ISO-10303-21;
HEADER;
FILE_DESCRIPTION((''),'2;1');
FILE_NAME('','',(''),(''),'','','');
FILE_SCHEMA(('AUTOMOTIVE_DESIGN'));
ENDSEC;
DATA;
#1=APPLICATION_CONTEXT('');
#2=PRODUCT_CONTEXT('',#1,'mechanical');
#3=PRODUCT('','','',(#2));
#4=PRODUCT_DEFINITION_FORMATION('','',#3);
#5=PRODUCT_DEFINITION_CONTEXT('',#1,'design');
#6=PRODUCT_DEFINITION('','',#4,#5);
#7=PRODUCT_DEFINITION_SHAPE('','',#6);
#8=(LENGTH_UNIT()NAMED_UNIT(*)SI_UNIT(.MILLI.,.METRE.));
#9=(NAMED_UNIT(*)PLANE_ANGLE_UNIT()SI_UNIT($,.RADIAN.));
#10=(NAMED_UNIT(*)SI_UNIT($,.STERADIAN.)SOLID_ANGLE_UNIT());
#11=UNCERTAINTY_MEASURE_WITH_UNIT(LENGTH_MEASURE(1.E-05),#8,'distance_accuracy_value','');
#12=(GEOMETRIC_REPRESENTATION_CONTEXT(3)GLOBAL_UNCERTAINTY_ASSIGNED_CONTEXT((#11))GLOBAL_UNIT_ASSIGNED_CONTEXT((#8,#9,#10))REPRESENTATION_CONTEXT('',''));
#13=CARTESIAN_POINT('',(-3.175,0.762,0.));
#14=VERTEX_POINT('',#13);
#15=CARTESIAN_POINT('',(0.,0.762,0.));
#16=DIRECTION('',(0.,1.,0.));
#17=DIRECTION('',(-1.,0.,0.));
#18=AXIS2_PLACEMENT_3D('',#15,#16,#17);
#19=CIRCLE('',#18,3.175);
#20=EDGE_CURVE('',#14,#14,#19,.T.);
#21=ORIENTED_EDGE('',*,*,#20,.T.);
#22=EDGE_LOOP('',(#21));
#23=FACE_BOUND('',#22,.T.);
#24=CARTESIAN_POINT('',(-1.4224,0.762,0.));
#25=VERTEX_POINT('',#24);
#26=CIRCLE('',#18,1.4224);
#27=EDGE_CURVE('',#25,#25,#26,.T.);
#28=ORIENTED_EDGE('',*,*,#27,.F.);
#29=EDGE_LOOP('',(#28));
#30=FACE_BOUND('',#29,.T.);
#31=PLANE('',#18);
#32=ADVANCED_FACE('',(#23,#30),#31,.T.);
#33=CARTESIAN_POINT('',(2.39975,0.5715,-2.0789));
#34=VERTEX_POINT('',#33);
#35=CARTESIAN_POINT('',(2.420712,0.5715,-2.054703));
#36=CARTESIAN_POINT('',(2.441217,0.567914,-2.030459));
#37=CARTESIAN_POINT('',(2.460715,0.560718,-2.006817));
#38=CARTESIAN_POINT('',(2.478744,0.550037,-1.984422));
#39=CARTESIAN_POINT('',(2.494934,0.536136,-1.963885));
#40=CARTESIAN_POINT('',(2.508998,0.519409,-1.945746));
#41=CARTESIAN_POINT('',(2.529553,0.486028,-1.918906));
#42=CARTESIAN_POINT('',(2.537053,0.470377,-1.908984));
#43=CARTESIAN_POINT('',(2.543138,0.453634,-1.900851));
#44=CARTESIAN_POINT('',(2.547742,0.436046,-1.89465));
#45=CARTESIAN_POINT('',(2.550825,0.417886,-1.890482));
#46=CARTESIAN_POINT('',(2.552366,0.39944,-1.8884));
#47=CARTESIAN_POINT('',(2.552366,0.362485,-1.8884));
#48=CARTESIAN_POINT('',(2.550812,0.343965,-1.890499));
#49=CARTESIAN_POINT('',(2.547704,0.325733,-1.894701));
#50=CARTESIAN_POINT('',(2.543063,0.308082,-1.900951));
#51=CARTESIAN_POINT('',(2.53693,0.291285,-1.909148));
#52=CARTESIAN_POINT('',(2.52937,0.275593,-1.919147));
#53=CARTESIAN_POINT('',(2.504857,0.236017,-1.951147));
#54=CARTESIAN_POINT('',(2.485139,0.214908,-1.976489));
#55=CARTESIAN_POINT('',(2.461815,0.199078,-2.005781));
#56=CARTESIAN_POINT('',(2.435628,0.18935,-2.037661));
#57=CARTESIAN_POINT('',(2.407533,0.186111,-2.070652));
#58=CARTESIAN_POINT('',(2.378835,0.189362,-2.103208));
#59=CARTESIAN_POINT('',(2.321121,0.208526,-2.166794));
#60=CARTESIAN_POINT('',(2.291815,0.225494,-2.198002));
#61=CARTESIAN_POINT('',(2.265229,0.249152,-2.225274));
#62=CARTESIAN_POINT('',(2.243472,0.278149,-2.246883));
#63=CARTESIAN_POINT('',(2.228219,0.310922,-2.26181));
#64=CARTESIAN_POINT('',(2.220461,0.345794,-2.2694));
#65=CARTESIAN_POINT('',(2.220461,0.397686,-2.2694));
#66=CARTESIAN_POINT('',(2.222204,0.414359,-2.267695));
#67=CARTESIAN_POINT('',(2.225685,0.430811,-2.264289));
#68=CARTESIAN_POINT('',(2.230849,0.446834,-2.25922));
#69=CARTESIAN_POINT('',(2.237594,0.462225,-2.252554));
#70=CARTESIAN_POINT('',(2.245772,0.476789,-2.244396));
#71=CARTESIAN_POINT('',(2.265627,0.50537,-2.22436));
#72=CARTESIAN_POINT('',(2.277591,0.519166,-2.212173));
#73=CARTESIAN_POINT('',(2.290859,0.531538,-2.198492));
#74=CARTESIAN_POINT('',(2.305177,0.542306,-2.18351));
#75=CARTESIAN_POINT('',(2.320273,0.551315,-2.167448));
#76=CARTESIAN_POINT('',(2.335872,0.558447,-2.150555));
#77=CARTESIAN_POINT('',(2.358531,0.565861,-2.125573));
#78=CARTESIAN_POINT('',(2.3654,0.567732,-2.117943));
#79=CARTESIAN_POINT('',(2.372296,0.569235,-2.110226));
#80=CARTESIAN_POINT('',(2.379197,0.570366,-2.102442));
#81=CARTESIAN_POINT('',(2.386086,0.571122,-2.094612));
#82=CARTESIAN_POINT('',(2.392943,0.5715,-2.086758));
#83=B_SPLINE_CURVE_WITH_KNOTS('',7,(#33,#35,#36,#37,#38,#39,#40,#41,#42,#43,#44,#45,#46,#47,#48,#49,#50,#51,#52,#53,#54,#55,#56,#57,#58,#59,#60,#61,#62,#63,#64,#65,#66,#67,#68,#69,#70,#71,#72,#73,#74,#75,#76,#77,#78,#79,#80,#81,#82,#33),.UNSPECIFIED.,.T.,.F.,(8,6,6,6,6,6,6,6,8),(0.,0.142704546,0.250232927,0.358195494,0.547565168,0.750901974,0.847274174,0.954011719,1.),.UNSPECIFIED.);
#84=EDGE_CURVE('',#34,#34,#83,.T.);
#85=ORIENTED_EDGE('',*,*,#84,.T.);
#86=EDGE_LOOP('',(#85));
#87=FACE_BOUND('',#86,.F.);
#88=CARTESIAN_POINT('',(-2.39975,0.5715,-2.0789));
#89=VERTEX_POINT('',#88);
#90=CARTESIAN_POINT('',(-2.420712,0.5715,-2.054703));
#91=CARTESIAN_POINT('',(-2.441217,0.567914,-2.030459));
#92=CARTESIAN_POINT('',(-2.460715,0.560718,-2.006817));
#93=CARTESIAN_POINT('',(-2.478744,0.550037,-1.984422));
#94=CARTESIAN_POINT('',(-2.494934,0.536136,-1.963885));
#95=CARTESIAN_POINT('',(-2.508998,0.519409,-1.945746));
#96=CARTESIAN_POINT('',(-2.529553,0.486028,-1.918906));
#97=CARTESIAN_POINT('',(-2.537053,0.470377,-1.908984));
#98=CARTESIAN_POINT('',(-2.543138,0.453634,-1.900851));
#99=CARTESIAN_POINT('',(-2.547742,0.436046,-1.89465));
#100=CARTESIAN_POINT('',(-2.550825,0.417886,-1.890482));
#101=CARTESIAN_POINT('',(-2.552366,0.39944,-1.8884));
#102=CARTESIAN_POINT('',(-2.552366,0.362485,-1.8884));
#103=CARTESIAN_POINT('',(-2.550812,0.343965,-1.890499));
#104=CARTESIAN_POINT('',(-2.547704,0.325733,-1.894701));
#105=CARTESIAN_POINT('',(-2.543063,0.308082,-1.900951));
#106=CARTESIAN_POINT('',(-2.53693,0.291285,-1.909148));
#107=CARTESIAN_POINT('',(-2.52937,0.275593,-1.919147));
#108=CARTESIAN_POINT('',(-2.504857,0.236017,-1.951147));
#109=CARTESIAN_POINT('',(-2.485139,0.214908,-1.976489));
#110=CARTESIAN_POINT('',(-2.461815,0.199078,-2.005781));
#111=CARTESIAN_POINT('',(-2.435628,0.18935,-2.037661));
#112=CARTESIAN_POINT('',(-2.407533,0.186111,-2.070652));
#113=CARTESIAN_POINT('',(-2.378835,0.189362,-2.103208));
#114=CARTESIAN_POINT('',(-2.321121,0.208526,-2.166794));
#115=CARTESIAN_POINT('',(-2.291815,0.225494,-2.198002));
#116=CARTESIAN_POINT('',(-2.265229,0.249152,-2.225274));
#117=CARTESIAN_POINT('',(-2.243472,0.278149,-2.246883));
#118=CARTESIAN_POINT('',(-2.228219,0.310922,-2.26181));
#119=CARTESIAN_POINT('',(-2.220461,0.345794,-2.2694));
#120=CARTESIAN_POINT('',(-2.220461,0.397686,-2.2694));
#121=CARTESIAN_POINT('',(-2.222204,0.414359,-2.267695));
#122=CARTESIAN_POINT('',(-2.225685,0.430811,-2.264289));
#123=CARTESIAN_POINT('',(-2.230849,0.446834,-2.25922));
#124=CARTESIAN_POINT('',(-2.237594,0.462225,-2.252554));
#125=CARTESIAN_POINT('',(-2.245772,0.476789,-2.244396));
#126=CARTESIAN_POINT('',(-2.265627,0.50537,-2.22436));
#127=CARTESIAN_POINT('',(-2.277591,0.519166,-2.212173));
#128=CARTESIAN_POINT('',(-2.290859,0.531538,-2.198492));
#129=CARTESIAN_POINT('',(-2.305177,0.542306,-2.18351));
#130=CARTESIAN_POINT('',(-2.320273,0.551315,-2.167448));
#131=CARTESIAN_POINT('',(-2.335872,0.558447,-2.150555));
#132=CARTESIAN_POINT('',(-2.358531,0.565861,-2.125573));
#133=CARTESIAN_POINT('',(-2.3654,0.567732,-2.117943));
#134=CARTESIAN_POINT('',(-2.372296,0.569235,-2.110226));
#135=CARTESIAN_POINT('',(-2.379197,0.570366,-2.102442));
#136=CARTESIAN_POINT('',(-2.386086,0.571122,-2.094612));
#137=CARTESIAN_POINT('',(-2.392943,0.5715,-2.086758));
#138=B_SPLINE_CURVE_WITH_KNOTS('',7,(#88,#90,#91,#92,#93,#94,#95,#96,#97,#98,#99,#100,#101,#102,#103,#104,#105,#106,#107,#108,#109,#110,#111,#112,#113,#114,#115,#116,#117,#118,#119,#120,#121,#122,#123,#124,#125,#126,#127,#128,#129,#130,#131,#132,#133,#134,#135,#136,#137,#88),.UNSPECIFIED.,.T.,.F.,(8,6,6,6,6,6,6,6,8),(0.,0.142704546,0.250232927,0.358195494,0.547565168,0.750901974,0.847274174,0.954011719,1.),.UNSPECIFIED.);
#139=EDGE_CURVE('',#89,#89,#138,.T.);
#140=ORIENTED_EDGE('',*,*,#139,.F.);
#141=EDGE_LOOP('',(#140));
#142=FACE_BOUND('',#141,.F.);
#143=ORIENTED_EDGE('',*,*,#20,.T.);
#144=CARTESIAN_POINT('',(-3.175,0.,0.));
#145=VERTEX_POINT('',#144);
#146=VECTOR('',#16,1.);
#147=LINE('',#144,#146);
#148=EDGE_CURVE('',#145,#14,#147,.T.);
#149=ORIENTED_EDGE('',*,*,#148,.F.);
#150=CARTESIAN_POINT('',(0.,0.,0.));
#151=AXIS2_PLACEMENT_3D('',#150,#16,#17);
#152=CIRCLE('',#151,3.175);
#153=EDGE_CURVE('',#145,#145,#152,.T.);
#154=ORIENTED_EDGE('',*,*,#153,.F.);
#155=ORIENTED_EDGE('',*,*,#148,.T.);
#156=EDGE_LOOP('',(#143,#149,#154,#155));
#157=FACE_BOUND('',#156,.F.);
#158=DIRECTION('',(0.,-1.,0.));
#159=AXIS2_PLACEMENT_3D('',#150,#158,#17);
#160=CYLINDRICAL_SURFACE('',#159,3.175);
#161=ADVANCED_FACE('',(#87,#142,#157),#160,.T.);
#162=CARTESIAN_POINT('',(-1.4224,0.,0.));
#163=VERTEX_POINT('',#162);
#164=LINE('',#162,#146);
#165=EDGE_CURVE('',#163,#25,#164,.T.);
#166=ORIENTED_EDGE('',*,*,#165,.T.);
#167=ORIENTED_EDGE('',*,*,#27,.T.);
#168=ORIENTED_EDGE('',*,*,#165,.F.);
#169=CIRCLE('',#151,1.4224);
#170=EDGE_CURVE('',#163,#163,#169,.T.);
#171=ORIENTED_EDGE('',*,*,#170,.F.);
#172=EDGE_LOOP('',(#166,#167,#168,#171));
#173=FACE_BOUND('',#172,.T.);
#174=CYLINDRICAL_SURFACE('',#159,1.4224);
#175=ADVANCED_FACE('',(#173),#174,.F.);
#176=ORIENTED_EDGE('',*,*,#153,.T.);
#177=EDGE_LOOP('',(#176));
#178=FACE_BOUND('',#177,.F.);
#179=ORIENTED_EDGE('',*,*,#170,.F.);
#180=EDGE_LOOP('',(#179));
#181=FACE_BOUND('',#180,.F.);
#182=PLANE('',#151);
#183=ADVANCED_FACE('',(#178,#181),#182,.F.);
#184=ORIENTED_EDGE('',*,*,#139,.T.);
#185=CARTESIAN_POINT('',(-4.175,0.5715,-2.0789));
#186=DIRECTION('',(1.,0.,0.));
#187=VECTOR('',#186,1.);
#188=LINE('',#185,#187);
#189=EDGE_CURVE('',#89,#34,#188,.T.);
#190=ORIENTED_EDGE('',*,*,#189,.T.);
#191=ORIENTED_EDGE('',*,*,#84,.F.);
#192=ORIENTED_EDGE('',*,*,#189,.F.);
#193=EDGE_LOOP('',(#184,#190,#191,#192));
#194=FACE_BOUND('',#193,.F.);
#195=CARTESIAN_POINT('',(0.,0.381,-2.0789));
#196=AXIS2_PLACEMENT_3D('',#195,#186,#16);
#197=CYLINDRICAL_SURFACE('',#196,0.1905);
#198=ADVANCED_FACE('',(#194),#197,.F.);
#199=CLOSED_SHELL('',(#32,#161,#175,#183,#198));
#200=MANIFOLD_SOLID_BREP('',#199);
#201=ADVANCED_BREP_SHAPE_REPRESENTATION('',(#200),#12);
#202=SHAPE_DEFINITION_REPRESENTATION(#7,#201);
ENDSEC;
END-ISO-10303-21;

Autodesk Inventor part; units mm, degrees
ref_plane "YZ Plane" through (0, 0, 0) normal (1, 0, 0) x (0, 1, 0)
ref_plane "XZ Plane" through (0, 0, 0) normal (0, 1, 0) x (-1, 0, 0)
ref_plane "XY Plane" through (0, 0, 0) normal (0, 0, 1) x (1, 0, 0)
sketch "Sketch1" plane through (0, 0, 0) normal (0, 1, 0) x (-1, 0, 0)
  circle A0 centre (0, 0) radius 1.4224
  circle A1 centre (0, 0) radius 3.175
  dimension "d0" = 2.8448
  dimension "d1" = 6.35
extrude "Extrusion1" add sketch "Sketch1" along normal blind 0.762
sketch "Sketch2" plane through (0, 0, 0) normal (0, 0, 1) x (1, 0, 0)
  point P0 (0, 0)
sketch "Sketch3" plane through (0, 0, 0) normal (0, 1, 0) x (-1, 0, 0)
  point P0 (0, 0)
sketch "Sketch4" plane through (0, 0, 0) normal (1, 0, 0) x (0, 1, 0)
  line L0 (0.762, -3.175) -> (0.762, 3.175) projected
  line L1 (0.762, 0) -> (0, 0)
  line L2 (0, 0) -> (0.381, 0)
  line L3 (0, -3.175) -> (0.762, -3.175) projected
  line L4 (0.381, -3.175) -> (0.381, 0)
  line L5 (0.381, 3.1988) -> (0.381, 0)
  circle A0 centre (0.381, -2.0789) radius 0.1905
  dimension "d4" = 0.381
extrude "Extrusion2" cut sketch "Sketch4" along normal through all both and the other way through all contours A0 L4 | L4 A0
properties part number "filwasher"
